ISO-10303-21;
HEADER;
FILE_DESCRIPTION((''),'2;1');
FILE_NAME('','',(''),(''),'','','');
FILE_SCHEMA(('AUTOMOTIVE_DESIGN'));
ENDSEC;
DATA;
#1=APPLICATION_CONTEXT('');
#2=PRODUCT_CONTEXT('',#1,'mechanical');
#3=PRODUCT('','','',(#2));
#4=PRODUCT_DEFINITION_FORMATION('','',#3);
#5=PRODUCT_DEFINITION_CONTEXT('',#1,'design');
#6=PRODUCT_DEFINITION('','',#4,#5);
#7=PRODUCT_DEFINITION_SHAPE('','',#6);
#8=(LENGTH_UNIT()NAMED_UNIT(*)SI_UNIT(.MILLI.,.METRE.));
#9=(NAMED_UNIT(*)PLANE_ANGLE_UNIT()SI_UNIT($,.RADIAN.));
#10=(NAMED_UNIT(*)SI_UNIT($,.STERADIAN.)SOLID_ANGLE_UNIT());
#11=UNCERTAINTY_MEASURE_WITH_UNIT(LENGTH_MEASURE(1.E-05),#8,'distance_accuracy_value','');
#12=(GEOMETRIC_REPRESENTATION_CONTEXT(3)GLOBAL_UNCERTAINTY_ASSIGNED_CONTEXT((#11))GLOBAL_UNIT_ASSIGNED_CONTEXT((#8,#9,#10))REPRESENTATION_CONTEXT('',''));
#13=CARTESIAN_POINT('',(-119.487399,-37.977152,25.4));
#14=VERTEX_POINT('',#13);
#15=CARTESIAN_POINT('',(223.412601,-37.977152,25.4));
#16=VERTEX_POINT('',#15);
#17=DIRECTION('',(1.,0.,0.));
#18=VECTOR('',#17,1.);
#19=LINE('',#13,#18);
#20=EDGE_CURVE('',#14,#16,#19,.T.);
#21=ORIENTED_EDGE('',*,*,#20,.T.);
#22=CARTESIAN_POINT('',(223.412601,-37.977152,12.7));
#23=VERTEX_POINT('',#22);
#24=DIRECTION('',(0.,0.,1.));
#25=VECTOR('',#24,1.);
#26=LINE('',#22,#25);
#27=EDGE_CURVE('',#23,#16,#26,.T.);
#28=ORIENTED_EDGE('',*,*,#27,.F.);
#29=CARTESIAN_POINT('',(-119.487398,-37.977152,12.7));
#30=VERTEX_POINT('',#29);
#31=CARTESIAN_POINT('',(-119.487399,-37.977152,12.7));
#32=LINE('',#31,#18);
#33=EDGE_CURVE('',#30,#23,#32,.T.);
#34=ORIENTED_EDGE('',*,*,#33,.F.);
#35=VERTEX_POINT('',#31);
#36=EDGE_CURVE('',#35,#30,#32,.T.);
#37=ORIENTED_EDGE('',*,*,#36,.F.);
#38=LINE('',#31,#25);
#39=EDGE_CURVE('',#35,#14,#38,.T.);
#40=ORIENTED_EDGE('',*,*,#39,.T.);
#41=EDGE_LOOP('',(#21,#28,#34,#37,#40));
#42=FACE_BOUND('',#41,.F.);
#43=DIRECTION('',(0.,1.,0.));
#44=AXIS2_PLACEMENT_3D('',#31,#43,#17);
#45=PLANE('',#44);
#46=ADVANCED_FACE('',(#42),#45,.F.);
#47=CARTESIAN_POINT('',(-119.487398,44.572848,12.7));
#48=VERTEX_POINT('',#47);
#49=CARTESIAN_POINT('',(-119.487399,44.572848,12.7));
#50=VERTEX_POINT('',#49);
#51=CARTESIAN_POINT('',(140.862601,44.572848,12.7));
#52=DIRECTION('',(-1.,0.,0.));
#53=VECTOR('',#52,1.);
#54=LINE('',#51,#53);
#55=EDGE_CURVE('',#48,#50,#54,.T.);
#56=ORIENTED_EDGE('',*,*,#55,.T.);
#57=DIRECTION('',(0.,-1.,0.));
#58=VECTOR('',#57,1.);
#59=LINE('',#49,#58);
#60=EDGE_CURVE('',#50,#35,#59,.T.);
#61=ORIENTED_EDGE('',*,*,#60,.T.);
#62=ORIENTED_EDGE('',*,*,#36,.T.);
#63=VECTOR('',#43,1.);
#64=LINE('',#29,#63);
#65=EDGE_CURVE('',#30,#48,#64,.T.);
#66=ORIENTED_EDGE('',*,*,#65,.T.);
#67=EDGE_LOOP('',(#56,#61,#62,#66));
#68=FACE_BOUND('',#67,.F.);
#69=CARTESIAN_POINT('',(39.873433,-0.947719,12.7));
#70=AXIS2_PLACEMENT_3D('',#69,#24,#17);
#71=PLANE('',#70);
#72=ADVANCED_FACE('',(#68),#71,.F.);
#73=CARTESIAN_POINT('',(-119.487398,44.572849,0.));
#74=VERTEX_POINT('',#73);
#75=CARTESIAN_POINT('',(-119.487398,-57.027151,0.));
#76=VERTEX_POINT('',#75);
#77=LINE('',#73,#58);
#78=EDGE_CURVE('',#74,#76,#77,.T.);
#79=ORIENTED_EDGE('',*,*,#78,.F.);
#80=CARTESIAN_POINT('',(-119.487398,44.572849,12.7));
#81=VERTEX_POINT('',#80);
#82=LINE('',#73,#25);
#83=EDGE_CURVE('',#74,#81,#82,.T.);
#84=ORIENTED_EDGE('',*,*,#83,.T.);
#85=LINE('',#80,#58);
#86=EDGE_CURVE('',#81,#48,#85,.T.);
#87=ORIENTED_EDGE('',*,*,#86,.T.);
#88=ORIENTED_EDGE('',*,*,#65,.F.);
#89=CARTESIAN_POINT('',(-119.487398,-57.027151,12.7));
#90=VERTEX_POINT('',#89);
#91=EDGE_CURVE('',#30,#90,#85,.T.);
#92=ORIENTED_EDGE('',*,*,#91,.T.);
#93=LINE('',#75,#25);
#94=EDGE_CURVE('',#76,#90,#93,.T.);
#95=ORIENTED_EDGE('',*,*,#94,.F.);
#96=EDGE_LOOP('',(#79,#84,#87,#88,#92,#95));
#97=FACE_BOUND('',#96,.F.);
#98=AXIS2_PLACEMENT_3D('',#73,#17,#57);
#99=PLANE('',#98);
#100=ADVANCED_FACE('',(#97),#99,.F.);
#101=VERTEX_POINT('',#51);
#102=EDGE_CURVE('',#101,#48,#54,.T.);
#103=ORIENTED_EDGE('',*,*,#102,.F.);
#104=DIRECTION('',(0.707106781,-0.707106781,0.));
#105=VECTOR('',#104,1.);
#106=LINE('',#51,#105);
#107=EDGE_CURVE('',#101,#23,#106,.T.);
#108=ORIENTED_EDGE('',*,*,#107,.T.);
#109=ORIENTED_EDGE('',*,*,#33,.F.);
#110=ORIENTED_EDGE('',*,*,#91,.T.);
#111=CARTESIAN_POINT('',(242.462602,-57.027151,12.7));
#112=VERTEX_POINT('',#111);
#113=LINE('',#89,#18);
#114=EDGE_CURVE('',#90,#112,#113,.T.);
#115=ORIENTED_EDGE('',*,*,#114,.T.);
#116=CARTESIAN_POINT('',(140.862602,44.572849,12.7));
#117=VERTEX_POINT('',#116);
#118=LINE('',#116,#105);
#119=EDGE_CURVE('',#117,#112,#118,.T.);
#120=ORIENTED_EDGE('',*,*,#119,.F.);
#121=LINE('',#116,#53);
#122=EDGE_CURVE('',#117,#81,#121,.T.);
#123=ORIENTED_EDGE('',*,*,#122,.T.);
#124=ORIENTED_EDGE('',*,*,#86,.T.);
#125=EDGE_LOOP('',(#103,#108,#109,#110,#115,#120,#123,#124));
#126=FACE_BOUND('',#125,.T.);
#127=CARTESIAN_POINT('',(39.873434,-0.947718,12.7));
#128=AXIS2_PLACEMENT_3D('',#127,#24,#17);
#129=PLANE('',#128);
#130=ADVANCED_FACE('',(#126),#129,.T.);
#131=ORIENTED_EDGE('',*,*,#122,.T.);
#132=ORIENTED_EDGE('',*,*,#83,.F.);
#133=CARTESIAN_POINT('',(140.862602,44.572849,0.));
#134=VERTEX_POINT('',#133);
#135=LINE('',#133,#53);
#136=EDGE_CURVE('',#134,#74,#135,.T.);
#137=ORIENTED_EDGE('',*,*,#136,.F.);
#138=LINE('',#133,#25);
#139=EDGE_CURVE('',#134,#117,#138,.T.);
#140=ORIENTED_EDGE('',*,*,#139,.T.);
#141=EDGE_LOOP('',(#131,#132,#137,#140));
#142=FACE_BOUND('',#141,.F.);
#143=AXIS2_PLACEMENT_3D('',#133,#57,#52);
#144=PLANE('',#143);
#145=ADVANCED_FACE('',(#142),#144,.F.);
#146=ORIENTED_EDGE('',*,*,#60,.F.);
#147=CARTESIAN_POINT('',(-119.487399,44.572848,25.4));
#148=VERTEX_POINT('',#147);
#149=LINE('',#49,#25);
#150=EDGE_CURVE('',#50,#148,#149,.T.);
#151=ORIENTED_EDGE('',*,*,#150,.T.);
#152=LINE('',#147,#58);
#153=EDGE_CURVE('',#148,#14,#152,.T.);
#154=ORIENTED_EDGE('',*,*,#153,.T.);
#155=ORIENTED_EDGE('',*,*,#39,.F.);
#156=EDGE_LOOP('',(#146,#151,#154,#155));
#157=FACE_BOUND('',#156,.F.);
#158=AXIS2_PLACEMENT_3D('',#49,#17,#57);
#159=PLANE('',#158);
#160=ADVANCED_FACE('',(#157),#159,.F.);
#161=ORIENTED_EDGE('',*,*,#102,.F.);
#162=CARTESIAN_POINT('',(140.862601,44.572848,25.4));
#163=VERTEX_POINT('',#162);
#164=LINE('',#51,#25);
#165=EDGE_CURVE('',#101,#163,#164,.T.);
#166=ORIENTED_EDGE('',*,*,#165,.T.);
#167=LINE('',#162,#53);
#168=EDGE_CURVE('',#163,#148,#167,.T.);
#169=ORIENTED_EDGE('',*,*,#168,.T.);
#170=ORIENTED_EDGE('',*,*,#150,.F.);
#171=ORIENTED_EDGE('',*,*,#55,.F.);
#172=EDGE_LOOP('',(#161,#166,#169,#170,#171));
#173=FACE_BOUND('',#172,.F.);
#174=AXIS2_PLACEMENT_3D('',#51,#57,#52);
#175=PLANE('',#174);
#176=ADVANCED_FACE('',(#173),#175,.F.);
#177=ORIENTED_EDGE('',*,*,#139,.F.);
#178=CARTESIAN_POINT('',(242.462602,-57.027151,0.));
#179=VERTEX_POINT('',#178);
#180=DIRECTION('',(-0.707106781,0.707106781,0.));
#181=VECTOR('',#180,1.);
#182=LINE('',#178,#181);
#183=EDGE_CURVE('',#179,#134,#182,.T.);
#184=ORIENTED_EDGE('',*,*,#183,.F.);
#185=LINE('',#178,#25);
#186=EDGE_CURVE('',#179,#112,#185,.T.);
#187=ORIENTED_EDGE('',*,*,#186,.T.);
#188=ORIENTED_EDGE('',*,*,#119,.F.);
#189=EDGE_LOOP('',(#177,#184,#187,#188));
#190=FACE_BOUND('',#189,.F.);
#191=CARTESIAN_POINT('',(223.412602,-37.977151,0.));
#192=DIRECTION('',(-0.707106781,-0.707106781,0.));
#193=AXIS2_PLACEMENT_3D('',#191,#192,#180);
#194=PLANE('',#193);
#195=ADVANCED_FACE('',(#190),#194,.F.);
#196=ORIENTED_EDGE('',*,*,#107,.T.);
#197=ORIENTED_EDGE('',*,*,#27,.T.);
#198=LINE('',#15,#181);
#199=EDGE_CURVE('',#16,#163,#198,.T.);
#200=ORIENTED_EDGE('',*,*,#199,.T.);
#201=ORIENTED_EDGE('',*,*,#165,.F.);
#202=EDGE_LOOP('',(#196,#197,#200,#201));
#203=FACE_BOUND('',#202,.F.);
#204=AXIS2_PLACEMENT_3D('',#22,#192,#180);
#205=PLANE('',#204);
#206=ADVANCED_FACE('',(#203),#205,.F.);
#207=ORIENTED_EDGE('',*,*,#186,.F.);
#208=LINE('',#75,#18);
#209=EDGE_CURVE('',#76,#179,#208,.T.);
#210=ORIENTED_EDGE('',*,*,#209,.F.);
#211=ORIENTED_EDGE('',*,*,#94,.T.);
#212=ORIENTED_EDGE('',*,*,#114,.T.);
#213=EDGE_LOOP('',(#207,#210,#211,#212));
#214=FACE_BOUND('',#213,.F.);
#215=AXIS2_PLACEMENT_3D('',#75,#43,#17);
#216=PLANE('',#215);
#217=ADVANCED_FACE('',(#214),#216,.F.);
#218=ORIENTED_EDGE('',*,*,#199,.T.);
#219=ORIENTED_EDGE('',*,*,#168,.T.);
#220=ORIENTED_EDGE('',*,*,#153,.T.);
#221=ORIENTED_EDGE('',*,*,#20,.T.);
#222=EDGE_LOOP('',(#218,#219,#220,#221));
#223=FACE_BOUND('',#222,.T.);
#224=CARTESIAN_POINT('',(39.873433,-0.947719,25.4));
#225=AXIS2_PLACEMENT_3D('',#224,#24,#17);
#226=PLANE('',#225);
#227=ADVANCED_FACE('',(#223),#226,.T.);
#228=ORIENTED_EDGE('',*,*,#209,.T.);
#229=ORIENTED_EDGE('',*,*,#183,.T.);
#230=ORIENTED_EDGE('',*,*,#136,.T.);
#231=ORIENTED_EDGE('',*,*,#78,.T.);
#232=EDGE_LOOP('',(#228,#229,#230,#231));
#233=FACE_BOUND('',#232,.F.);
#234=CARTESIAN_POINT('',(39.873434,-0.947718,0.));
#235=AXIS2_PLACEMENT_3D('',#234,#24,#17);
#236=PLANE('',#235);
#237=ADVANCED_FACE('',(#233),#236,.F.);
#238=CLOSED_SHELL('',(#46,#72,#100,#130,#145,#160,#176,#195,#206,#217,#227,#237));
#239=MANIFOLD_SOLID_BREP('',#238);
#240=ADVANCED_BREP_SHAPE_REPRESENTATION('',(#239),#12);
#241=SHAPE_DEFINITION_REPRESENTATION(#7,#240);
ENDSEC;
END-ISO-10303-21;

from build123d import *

# Parameters (mm, degrees)
F1_DEPTH = 12.7
F2_DEPTH = 12.7


with BuildPart() as f1:
    # F0 (on Top) → F1 (new body)
    with BuildSketch(Plane.XY):
        Polygon((140.862602, 44.572849), (-119.487398, 44.572849), (-119.487398, -37.977151), (223.412602, -37.977151), align=None)
    extrude(amount=F1_DEPTH)

    # F0 (on Top) + F1_face (on face) → F2 (join)
    with BuildSketch(Plane.XY):
        Polygon((140.862602, 44.572849), (-119.487398, 44.572849), (-119.487398, -37.977151), (223.412602, -37.977151), align=None)
        Polygon((223.412602, -37.977151), (-119.487398, -37.977151), (-119.487398, -57.027151), (242.462602, -57.027151), align=None)
    with BuildSketch(Plane(origin=(32.266461, 1.415129, 12.7), x_dir=(1, 0, 0), z_dir=(0, 0, 1))):
        Polygon((108.59614, 43.157719), (-151.75386, 43.157719), (-151.75386, -39.392281), (191.14614, -39.392281), align=None)
    extrude(amount=F2_DEPTH)


solid = f1.part
